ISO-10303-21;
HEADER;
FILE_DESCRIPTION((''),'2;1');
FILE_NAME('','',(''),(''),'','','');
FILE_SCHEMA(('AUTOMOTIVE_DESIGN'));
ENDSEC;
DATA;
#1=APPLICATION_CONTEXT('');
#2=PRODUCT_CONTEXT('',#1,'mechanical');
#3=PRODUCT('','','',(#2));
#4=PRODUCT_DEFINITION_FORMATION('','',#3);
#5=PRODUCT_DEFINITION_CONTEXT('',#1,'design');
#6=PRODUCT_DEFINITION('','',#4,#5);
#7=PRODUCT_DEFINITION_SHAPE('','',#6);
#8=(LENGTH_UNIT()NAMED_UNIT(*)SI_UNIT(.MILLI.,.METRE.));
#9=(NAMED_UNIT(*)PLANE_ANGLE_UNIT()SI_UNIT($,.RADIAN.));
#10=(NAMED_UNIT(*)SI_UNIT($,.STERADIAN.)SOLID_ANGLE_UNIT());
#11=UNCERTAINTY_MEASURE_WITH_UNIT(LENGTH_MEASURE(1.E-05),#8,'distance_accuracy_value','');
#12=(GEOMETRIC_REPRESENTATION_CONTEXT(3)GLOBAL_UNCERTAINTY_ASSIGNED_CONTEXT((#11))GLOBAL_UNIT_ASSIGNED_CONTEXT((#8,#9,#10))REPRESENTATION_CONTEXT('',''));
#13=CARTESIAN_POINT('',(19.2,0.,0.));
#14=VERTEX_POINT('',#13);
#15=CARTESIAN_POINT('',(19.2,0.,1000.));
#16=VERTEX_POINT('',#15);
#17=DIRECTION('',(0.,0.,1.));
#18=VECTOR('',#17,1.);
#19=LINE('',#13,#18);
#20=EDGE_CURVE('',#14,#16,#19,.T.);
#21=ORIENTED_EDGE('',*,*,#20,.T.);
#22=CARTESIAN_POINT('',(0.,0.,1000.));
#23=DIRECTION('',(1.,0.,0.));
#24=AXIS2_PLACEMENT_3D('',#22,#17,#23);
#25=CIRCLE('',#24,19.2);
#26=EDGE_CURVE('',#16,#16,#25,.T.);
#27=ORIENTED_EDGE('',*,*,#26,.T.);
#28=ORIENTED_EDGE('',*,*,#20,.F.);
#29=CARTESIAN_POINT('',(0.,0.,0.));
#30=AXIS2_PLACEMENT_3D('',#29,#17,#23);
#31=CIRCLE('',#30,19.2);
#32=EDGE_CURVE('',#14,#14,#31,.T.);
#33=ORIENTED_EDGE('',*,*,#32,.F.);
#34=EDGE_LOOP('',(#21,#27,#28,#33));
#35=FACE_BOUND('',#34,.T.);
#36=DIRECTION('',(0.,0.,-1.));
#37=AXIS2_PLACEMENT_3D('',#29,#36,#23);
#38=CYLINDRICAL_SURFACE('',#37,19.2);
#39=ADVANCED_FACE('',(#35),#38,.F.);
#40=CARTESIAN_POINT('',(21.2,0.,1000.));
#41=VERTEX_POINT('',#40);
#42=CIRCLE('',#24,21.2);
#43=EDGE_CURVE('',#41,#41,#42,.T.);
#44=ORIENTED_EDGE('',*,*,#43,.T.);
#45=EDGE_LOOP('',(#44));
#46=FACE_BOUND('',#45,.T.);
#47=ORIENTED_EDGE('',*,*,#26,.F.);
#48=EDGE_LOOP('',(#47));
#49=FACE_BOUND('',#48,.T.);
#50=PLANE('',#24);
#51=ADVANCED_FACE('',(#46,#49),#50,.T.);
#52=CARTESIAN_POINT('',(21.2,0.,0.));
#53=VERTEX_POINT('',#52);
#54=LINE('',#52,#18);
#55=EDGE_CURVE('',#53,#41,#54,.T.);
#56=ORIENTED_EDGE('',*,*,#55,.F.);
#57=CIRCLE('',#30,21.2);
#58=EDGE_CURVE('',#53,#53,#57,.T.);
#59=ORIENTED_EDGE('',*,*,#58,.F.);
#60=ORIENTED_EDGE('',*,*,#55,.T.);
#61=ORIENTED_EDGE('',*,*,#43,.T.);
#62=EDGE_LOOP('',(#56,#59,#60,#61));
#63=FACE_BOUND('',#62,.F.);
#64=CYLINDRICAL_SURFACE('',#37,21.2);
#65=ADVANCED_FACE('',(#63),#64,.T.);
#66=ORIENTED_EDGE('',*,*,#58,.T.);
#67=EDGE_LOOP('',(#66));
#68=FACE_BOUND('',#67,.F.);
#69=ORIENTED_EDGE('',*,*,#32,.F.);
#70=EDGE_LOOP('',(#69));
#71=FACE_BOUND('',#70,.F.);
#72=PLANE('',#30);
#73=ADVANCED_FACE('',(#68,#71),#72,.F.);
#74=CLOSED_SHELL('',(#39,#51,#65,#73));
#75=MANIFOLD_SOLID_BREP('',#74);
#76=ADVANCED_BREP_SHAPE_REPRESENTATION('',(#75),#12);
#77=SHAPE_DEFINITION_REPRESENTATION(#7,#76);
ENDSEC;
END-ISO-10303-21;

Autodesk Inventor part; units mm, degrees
ref_plane "YZ Plane" through (0, 0, 0) normal (1, 0, 0) x (0, 1, 0)
ref_plane "Start Plane" through (0, 0, 0) normal (0, 0, 1) x (1, 0, 0)
ref_plane "End Plane" through (0, 0, 1000) normal (0, 0, 1) x (1, 0, 0)
sketch "Sketch" plane through (0, 0, 0) normal (0, 0, 1) x (1, 0, 0)
  circle A0 centre (0, 0) radius 19.2
  circle A1 centre (0, 0) radius 21.2
  dimension "d0" = 42.4
  dimension "d1" = 2
extrude "Body" add sketch "Sketch" along normal up to surface (1000 mm away) from surface at 0
sketch "Sketch3" plane through (0, 0, 0) normal (0, 0, 1) x (1, 0, 0)
  line L0 (0, 0) -> (10, 0)
ref_plane "Work Plane3" through (0, 0, 0) normal (0, -1, 0) x (1, 0, 0)
sketch "Sketch4" plane through (0, 0, 0) normal (0, -1, 0) x (1, 0, 0)
  line L0 (-2, 0) -> (12, 0) projected
  line L1 (-2, 1000) -> (12, 1000) projected
  dimension "d7" = 1000
equation "\"d0\" = G_H"
equation "\"d1\" = G_T"
equation "\"d2\" = G_L"
equation "\"G_H\" = 42.4"
equation "\"G_T\" = 2"
equation "\"G_L\" = d7"
equation "\"G_OFFSET_START\" = 0"
equation "\"G_OFFSET_END\" = 0"
properties part number "ISO 10799-2 - 42.4x2.0 - 1000" material "Stainless Steel"
